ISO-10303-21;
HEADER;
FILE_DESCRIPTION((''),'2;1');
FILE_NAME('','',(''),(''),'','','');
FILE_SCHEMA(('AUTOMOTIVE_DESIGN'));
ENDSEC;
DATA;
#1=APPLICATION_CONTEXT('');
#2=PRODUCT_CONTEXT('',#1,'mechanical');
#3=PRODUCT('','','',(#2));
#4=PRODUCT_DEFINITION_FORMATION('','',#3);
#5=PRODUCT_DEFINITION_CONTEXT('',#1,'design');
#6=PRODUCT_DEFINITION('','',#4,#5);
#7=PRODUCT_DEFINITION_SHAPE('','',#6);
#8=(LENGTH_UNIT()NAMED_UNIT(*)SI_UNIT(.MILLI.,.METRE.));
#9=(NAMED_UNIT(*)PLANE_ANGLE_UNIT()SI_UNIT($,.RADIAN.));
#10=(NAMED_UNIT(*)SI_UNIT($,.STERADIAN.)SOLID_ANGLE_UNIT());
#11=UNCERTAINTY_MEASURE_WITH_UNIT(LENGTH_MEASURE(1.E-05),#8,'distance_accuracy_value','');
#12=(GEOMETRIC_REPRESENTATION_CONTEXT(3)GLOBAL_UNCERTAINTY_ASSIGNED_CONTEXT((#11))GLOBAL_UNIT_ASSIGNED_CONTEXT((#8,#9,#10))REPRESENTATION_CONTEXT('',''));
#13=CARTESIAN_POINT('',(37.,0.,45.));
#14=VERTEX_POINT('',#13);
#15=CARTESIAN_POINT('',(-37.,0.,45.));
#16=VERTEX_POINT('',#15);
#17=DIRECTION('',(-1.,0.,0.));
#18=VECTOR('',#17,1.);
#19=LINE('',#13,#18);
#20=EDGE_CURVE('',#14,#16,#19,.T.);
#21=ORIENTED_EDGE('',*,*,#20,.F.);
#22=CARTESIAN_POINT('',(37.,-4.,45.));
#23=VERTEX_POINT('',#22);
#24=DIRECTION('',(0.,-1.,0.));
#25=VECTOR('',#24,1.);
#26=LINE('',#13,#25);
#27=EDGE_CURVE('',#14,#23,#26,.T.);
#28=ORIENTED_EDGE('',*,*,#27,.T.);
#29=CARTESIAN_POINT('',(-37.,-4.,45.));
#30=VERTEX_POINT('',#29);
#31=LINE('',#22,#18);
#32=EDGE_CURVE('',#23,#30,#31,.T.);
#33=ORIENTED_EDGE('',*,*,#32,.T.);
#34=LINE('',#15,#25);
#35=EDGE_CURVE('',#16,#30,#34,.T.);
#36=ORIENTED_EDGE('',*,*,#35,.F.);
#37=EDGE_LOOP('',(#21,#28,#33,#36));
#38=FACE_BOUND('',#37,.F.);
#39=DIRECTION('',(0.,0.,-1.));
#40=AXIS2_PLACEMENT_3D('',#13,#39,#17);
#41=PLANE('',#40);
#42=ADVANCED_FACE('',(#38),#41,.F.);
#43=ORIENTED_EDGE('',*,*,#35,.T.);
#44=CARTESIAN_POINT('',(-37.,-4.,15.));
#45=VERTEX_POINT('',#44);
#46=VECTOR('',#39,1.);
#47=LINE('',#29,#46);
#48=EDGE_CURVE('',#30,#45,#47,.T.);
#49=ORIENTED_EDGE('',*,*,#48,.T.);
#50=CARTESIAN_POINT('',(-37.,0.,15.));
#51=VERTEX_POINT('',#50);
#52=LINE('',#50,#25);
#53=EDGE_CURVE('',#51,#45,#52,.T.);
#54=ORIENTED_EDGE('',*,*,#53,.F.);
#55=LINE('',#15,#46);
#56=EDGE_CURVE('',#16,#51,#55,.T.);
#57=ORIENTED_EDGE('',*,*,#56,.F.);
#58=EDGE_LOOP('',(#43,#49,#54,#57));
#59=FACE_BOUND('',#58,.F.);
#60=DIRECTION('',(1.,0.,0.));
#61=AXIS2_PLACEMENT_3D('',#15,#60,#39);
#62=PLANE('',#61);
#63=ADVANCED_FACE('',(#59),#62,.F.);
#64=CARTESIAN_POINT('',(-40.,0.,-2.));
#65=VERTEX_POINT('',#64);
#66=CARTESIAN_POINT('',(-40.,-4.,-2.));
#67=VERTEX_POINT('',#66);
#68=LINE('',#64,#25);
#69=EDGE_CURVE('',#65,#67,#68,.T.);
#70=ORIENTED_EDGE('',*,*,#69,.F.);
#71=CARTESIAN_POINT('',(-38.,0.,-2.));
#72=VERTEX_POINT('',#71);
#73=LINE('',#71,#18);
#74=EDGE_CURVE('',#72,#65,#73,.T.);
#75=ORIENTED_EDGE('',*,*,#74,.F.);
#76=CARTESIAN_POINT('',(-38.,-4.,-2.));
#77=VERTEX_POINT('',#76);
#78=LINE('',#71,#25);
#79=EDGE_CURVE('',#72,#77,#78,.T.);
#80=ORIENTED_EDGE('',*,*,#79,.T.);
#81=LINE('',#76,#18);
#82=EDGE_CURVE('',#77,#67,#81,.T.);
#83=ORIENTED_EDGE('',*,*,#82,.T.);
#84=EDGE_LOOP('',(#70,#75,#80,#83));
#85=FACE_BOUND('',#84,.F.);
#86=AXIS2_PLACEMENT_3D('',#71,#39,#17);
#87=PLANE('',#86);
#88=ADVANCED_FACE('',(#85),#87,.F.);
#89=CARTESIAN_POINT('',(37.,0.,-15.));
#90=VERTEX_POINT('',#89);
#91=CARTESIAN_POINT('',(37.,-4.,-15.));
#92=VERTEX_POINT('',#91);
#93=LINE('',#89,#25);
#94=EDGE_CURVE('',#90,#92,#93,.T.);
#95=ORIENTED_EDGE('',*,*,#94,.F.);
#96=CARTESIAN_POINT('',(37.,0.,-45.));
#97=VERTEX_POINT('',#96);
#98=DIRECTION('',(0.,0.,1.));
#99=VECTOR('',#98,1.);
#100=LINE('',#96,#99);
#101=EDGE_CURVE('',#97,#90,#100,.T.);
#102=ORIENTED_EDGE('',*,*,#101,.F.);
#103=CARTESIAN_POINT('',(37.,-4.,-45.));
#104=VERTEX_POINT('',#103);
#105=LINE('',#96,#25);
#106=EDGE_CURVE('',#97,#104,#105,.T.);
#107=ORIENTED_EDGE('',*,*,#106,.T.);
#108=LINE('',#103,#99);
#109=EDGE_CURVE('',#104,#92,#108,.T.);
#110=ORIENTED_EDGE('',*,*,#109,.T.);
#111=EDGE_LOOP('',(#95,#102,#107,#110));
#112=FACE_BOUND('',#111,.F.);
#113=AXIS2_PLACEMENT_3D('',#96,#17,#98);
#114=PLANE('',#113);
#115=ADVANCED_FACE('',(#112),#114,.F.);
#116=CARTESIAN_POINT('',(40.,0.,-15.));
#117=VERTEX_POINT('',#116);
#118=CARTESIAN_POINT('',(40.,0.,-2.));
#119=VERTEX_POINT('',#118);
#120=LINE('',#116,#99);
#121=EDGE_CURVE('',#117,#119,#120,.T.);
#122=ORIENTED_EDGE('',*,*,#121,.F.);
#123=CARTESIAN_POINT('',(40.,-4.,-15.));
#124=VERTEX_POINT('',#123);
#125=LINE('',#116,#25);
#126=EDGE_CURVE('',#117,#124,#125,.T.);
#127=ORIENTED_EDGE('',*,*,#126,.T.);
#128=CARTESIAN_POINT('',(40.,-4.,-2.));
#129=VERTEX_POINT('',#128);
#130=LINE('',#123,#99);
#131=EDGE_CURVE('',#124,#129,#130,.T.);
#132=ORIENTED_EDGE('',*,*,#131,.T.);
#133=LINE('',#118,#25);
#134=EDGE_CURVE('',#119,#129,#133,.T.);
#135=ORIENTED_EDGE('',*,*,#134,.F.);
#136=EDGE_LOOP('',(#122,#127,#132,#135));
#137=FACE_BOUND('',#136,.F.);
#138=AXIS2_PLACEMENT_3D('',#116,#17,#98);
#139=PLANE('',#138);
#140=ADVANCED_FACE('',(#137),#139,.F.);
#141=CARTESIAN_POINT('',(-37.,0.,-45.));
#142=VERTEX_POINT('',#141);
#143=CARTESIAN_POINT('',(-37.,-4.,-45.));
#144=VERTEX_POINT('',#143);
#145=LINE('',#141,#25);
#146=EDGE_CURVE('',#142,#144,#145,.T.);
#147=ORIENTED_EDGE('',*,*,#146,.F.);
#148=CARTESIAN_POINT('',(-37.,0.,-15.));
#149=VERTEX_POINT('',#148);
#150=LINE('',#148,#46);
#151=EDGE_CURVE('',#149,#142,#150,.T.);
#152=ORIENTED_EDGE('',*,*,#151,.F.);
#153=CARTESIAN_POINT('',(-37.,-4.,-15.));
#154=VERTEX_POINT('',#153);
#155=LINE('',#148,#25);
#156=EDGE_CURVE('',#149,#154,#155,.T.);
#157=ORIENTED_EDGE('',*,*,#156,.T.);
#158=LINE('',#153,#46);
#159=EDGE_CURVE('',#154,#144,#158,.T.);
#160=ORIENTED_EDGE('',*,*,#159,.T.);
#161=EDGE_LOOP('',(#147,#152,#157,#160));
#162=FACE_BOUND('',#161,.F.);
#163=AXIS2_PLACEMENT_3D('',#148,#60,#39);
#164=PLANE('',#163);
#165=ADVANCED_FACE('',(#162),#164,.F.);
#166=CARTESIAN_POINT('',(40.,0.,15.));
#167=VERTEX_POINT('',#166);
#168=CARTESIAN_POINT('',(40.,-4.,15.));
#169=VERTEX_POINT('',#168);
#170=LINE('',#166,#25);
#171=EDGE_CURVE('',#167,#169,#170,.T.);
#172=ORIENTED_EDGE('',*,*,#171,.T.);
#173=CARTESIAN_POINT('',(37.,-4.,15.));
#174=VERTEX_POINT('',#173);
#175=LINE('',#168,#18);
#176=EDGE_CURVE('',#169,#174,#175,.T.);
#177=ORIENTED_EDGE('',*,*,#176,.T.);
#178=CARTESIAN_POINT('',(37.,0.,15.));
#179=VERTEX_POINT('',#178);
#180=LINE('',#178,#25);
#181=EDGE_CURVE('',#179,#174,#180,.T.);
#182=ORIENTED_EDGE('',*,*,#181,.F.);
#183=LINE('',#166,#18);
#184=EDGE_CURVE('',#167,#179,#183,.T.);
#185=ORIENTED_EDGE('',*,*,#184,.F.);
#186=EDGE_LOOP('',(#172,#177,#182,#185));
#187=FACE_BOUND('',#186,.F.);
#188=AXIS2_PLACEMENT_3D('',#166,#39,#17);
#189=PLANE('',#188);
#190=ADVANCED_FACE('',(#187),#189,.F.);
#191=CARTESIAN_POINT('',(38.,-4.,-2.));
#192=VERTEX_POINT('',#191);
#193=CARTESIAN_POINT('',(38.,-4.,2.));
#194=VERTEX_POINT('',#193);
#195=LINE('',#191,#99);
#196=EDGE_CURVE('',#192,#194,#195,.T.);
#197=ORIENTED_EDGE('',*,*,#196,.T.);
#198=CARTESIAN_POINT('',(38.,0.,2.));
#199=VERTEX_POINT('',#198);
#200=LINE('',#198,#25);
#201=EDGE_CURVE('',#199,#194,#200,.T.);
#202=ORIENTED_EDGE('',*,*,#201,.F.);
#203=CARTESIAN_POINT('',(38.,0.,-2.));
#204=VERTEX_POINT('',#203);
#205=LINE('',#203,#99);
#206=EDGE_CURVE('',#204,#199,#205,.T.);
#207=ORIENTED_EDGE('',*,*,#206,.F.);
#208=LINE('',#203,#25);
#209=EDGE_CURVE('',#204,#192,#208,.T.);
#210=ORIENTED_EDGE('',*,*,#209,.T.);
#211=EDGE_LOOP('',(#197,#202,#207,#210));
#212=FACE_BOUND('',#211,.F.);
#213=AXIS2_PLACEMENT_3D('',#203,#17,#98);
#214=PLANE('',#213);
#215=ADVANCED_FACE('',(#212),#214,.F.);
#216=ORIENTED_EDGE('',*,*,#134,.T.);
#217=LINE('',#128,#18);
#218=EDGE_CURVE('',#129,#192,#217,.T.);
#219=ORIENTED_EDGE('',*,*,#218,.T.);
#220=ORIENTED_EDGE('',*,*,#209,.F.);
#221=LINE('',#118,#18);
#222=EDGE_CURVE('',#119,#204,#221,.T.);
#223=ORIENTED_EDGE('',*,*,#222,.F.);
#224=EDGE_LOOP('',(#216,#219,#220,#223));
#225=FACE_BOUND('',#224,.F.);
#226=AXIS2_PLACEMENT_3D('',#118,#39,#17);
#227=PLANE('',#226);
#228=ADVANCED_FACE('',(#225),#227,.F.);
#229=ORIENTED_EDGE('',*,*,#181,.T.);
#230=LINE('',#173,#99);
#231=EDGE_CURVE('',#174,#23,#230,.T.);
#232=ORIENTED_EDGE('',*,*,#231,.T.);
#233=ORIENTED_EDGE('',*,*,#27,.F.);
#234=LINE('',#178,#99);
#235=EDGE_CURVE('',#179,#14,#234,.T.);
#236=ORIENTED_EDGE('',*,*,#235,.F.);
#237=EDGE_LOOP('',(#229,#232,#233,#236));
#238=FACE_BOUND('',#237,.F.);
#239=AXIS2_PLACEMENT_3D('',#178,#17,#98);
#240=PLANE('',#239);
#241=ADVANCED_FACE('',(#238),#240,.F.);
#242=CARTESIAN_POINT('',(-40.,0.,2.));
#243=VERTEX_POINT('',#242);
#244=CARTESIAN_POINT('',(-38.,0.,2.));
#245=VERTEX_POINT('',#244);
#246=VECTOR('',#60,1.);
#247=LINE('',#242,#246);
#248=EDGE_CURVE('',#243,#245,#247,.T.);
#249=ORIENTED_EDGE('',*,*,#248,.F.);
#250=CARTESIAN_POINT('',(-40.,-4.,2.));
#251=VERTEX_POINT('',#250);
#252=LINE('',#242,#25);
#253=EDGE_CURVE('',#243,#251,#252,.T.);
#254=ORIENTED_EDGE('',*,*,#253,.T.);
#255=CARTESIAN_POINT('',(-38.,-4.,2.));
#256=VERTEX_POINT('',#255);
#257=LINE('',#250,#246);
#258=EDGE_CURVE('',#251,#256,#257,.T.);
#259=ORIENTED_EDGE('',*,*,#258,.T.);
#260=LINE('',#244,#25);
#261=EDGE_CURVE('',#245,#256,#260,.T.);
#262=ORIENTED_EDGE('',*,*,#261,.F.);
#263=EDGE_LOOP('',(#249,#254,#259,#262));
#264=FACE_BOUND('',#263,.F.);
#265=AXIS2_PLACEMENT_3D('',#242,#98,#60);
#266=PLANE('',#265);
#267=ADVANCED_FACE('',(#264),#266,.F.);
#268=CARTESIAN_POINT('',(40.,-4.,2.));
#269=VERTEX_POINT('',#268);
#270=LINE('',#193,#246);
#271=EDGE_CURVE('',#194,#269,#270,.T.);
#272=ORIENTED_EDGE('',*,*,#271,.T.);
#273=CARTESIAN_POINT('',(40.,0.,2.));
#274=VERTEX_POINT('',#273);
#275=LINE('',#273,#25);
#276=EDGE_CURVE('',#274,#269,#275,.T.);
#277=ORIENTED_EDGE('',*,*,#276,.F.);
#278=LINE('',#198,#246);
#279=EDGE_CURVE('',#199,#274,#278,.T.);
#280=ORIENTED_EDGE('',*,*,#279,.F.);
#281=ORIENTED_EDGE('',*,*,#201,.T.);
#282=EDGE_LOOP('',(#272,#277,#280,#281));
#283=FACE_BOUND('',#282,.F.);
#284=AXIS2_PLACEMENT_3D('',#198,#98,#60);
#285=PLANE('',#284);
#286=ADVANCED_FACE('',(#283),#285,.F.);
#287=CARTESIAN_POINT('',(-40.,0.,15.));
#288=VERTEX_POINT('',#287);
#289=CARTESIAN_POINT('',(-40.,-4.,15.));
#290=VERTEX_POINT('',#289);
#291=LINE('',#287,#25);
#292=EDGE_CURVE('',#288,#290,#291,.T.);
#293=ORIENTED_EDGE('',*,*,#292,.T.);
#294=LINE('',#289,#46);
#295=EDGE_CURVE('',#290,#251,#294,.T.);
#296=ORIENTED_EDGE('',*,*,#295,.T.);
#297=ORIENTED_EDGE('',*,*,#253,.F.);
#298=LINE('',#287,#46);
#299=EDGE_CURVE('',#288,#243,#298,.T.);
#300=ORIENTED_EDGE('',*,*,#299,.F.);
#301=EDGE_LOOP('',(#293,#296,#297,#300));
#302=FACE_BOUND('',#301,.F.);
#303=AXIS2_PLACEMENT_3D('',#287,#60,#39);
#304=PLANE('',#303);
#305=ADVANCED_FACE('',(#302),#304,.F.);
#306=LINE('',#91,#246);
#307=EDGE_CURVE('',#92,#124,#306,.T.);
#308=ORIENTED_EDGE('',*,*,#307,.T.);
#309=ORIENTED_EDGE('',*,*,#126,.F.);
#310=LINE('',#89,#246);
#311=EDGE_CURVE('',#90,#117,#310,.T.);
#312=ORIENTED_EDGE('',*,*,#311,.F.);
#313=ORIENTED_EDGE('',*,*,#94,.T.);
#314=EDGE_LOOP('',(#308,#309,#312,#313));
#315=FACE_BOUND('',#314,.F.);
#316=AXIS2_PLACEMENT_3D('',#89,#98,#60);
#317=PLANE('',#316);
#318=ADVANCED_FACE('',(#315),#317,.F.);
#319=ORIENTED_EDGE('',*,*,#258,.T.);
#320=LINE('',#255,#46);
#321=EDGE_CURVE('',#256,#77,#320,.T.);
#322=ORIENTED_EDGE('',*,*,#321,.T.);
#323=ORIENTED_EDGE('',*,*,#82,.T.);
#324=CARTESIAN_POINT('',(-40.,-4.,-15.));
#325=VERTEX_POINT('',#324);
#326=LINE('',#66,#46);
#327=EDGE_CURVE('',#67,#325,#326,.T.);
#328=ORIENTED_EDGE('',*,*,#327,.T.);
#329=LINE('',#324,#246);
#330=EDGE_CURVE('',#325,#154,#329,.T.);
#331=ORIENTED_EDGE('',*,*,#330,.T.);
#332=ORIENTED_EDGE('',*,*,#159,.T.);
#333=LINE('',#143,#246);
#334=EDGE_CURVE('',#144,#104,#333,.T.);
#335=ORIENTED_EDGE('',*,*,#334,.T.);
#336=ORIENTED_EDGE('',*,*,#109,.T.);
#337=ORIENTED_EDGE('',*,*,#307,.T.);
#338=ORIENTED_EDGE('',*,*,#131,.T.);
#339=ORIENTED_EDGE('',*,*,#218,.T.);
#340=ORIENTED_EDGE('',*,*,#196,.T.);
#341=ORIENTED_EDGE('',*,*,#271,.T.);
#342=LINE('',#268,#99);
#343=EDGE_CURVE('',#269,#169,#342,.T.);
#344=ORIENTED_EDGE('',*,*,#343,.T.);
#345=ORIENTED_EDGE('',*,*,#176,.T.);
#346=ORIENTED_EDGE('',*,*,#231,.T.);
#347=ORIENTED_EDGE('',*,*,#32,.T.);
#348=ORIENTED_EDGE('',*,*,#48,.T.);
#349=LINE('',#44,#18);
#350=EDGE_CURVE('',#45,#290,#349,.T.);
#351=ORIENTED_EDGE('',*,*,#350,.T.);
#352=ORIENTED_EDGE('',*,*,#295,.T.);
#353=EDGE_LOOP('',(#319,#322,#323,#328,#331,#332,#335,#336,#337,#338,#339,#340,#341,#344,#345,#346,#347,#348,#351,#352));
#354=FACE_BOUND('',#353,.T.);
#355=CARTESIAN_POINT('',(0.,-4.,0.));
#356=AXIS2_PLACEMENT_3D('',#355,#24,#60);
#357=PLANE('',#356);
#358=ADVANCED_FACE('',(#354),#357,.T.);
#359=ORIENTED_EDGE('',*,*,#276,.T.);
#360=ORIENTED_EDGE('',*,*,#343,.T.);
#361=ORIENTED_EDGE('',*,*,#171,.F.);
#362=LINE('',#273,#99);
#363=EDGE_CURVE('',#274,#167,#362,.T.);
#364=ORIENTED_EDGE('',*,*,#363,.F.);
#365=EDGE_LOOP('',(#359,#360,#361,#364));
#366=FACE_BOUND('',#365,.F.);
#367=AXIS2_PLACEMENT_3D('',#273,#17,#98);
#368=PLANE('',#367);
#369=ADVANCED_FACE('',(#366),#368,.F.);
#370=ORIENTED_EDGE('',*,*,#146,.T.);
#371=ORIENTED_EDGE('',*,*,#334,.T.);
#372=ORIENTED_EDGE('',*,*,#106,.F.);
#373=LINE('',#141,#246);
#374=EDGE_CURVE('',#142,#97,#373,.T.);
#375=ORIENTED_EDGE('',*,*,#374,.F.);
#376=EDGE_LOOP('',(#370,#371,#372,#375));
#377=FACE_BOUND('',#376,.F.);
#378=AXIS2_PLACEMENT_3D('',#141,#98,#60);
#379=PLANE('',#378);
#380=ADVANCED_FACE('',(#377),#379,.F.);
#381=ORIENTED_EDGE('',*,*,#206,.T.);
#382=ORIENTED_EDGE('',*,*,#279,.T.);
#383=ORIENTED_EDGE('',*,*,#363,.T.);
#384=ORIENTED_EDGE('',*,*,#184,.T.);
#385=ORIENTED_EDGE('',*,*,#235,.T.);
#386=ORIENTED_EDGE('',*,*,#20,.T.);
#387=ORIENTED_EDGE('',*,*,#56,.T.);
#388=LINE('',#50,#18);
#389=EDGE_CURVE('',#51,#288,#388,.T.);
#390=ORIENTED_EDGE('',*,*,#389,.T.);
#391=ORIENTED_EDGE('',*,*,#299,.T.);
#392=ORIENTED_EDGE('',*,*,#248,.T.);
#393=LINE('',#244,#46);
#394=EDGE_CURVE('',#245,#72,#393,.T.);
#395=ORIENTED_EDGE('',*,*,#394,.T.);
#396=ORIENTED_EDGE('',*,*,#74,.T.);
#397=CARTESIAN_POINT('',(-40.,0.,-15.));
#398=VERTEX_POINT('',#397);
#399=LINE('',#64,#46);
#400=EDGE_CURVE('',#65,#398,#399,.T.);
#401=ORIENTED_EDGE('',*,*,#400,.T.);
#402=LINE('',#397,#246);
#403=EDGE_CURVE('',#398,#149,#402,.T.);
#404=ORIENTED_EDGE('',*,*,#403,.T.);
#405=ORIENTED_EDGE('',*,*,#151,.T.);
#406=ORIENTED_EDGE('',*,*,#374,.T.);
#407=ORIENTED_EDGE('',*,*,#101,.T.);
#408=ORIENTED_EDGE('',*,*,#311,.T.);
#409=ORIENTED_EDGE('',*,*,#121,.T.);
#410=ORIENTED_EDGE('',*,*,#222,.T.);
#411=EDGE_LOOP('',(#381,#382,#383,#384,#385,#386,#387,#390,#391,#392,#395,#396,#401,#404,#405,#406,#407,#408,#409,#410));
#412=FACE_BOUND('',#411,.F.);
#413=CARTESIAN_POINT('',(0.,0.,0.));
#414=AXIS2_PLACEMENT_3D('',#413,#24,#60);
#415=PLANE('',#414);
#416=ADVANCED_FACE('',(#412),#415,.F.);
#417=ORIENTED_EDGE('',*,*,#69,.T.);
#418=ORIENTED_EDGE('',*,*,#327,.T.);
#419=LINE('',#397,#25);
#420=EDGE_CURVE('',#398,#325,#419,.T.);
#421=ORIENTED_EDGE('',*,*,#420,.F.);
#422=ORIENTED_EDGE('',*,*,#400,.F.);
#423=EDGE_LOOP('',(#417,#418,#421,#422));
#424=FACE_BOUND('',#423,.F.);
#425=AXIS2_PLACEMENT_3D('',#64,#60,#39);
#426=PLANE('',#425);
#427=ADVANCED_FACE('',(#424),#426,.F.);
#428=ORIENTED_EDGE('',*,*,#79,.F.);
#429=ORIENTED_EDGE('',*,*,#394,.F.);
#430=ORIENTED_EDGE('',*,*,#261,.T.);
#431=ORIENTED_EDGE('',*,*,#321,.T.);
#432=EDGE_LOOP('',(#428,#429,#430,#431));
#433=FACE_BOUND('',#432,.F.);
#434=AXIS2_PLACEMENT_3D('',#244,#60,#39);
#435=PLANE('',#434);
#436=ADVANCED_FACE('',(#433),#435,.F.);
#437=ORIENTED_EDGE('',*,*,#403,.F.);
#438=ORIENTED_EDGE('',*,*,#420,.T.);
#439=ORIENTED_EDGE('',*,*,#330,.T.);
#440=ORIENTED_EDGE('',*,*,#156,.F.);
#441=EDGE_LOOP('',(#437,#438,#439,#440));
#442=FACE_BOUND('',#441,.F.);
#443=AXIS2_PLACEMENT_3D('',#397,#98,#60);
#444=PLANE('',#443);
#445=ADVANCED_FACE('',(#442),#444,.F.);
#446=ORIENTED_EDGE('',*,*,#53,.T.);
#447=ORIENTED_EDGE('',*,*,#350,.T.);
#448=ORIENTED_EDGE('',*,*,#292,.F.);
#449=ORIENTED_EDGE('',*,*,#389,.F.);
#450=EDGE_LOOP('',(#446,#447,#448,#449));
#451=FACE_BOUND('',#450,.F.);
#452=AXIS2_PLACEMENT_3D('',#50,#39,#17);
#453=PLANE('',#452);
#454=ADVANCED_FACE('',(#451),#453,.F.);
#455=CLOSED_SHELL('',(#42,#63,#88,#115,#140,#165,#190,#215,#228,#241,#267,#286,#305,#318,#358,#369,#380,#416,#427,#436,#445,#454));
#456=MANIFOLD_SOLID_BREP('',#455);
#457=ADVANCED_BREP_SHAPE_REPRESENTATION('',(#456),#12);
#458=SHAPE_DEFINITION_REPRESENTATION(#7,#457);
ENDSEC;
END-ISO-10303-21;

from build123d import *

# Parameters (mm, degrees)
F1_DEPTH = 4


with BuildPart() as f1:
    # F0 (on Front) → F1 (new body)
    with BuildSketch(Plane.XZ):
        Polygon((38, 2), (40, 2), (40, 15), (37, 15), (37, 45), (-37, 45), (-37, 15), (-40, 15), (-40, 2), (-38, 2), (-38, 0), (-38, -2), (-40, -2), (-40, -15), (-37, -15), (-37, -45), (37, -45), (37, -15), (40, -15), (40, -2), (38, -2), (38, 0), align=None)
    extrude(amount=F1_DEPTH)


solid = f1.part
